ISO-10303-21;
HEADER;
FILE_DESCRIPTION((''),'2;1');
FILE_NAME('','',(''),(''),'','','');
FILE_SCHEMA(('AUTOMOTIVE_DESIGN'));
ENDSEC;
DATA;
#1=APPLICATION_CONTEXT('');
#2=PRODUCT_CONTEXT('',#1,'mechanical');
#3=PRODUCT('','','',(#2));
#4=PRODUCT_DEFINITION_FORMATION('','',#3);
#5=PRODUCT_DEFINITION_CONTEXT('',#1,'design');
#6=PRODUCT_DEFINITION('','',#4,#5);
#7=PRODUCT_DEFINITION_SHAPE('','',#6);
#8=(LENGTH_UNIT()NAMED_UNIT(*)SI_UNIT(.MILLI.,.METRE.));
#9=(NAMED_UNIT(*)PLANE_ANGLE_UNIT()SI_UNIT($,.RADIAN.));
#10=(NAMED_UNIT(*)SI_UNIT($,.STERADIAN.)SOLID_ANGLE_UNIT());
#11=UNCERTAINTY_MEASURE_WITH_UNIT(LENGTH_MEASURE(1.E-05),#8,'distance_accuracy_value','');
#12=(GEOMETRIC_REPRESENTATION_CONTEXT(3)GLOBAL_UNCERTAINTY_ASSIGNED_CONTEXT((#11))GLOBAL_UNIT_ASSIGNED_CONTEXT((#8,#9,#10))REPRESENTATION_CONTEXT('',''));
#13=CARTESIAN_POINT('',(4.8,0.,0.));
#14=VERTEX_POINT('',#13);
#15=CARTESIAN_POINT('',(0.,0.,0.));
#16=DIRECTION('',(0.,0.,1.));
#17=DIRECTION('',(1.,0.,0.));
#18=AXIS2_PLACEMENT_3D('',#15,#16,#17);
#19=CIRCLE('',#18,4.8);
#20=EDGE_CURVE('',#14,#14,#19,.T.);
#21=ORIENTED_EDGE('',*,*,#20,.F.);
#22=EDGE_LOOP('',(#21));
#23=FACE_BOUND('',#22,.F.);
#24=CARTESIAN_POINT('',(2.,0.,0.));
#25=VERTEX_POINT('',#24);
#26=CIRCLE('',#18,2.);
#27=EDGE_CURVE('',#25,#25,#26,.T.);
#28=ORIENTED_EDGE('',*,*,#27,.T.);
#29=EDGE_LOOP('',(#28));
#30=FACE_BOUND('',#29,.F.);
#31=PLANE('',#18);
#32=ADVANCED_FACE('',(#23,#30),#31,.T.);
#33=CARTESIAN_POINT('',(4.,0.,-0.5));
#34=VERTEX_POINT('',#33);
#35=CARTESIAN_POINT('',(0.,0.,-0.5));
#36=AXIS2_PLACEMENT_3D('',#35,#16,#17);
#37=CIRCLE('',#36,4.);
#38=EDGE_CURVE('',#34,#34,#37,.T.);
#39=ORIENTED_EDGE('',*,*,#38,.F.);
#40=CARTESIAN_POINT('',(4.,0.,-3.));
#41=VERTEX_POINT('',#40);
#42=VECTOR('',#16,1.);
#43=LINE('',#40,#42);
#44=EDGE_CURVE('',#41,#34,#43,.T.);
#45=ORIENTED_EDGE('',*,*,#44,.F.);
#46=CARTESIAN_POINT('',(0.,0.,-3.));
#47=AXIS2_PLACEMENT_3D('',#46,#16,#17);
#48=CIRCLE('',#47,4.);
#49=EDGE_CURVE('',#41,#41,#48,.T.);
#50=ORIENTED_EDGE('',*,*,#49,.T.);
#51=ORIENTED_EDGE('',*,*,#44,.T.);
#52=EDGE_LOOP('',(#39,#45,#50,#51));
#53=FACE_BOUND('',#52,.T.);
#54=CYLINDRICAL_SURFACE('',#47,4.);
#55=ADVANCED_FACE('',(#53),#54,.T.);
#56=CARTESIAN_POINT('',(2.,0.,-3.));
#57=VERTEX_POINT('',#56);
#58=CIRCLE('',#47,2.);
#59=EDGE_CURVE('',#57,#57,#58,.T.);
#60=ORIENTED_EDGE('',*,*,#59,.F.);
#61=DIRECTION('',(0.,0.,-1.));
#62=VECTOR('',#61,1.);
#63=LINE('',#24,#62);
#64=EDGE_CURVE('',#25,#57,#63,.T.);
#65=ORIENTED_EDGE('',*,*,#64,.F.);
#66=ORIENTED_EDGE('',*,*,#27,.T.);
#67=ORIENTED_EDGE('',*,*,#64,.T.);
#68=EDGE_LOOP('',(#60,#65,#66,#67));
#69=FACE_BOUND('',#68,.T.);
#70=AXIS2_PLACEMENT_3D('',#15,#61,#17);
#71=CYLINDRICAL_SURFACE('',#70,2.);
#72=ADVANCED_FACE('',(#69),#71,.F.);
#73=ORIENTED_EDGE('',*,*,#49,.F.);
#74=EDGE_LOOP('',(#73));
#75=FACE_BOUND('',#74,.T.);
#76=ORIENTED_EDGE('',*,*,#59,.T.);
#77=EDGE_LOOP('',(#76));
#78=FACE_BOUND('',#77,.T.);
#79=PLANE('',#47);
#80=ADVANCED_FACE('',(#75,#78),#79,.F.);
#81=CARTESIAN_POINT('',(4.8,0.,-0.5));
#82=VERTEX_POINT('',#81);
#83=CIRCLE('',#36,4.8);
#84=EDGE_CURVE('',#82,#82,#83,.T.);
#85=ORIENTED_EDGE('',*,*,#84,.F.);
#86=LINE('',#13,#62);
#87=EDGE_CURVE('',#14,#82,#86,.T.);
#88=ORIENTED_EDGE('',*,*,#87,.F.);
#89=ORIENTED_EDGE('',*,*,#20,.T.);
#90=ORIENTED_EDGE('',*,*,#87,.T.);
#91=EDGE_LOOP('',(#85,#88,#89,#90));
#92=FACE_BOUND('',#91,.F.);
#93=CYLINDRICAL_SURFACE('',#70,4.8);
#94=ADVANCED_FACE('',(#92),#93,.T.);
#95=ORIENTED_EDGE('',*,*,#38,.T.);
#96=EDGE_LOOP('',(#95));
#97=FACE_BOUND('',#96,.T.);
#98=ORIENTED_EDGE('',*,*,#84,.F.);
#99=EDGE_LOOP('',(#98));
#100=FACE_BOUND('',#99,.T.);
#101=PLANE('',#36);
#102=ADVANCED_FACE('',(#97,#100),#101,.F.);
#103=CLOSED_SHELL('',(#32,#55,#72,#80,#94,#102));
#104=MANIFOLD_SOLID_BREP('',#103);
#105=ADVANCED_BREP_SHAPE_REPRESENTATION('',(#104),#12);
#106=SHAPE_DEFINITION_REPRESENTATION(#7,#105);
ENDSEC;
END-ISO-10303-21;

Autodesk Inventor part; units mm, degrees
ref_plane "YZ Plane" through (0, 0, 0) normal (1, 0, 0) x (0, 1, 0)
ref_plane "XZ Plane" through (0, 0, 0) normal (0, 1, 0) x (-1, 0, 0)
ref_plane "XY Plane" through (0, 0, 0) normal (0, 0, 1) x (1, 0, 0)
sketch "スケッチ1" plane through (0, 0, 0) normal (0, 1, 0) x (-1, 0, 0)
  line L0 (0, 0) -> (-2, 0) construction
  line L1 (-2, 0) -> (-4.8, 0)
  line L2 (-4.8, 0) -> (-4.8, -0.5)
  line L3 (-2, 0) -> (-2, -3)
  line L4 (-2, -3) -> (-4, -3)
  line L5 (-4, -3) -> (-4, -0.5)
  line L6 (-4, -0.5) -> (-4.8, -0.5)
  line L7 (0, -3.6) -> (0, 0.6) projected
  dimension "d0" = 2
  dimension "d1" = 2.8
  dimension "d2" = 0.5
  dimension "d3" = 2
  dimension "d4" = 2.5
revolve "回転1" add sketch "スケッチ1" angle 360 about axis through (0, 0, -10) along (0, 0, 1)
properties part number "bear_f4_sa_1" material "ステンレス鋼"
